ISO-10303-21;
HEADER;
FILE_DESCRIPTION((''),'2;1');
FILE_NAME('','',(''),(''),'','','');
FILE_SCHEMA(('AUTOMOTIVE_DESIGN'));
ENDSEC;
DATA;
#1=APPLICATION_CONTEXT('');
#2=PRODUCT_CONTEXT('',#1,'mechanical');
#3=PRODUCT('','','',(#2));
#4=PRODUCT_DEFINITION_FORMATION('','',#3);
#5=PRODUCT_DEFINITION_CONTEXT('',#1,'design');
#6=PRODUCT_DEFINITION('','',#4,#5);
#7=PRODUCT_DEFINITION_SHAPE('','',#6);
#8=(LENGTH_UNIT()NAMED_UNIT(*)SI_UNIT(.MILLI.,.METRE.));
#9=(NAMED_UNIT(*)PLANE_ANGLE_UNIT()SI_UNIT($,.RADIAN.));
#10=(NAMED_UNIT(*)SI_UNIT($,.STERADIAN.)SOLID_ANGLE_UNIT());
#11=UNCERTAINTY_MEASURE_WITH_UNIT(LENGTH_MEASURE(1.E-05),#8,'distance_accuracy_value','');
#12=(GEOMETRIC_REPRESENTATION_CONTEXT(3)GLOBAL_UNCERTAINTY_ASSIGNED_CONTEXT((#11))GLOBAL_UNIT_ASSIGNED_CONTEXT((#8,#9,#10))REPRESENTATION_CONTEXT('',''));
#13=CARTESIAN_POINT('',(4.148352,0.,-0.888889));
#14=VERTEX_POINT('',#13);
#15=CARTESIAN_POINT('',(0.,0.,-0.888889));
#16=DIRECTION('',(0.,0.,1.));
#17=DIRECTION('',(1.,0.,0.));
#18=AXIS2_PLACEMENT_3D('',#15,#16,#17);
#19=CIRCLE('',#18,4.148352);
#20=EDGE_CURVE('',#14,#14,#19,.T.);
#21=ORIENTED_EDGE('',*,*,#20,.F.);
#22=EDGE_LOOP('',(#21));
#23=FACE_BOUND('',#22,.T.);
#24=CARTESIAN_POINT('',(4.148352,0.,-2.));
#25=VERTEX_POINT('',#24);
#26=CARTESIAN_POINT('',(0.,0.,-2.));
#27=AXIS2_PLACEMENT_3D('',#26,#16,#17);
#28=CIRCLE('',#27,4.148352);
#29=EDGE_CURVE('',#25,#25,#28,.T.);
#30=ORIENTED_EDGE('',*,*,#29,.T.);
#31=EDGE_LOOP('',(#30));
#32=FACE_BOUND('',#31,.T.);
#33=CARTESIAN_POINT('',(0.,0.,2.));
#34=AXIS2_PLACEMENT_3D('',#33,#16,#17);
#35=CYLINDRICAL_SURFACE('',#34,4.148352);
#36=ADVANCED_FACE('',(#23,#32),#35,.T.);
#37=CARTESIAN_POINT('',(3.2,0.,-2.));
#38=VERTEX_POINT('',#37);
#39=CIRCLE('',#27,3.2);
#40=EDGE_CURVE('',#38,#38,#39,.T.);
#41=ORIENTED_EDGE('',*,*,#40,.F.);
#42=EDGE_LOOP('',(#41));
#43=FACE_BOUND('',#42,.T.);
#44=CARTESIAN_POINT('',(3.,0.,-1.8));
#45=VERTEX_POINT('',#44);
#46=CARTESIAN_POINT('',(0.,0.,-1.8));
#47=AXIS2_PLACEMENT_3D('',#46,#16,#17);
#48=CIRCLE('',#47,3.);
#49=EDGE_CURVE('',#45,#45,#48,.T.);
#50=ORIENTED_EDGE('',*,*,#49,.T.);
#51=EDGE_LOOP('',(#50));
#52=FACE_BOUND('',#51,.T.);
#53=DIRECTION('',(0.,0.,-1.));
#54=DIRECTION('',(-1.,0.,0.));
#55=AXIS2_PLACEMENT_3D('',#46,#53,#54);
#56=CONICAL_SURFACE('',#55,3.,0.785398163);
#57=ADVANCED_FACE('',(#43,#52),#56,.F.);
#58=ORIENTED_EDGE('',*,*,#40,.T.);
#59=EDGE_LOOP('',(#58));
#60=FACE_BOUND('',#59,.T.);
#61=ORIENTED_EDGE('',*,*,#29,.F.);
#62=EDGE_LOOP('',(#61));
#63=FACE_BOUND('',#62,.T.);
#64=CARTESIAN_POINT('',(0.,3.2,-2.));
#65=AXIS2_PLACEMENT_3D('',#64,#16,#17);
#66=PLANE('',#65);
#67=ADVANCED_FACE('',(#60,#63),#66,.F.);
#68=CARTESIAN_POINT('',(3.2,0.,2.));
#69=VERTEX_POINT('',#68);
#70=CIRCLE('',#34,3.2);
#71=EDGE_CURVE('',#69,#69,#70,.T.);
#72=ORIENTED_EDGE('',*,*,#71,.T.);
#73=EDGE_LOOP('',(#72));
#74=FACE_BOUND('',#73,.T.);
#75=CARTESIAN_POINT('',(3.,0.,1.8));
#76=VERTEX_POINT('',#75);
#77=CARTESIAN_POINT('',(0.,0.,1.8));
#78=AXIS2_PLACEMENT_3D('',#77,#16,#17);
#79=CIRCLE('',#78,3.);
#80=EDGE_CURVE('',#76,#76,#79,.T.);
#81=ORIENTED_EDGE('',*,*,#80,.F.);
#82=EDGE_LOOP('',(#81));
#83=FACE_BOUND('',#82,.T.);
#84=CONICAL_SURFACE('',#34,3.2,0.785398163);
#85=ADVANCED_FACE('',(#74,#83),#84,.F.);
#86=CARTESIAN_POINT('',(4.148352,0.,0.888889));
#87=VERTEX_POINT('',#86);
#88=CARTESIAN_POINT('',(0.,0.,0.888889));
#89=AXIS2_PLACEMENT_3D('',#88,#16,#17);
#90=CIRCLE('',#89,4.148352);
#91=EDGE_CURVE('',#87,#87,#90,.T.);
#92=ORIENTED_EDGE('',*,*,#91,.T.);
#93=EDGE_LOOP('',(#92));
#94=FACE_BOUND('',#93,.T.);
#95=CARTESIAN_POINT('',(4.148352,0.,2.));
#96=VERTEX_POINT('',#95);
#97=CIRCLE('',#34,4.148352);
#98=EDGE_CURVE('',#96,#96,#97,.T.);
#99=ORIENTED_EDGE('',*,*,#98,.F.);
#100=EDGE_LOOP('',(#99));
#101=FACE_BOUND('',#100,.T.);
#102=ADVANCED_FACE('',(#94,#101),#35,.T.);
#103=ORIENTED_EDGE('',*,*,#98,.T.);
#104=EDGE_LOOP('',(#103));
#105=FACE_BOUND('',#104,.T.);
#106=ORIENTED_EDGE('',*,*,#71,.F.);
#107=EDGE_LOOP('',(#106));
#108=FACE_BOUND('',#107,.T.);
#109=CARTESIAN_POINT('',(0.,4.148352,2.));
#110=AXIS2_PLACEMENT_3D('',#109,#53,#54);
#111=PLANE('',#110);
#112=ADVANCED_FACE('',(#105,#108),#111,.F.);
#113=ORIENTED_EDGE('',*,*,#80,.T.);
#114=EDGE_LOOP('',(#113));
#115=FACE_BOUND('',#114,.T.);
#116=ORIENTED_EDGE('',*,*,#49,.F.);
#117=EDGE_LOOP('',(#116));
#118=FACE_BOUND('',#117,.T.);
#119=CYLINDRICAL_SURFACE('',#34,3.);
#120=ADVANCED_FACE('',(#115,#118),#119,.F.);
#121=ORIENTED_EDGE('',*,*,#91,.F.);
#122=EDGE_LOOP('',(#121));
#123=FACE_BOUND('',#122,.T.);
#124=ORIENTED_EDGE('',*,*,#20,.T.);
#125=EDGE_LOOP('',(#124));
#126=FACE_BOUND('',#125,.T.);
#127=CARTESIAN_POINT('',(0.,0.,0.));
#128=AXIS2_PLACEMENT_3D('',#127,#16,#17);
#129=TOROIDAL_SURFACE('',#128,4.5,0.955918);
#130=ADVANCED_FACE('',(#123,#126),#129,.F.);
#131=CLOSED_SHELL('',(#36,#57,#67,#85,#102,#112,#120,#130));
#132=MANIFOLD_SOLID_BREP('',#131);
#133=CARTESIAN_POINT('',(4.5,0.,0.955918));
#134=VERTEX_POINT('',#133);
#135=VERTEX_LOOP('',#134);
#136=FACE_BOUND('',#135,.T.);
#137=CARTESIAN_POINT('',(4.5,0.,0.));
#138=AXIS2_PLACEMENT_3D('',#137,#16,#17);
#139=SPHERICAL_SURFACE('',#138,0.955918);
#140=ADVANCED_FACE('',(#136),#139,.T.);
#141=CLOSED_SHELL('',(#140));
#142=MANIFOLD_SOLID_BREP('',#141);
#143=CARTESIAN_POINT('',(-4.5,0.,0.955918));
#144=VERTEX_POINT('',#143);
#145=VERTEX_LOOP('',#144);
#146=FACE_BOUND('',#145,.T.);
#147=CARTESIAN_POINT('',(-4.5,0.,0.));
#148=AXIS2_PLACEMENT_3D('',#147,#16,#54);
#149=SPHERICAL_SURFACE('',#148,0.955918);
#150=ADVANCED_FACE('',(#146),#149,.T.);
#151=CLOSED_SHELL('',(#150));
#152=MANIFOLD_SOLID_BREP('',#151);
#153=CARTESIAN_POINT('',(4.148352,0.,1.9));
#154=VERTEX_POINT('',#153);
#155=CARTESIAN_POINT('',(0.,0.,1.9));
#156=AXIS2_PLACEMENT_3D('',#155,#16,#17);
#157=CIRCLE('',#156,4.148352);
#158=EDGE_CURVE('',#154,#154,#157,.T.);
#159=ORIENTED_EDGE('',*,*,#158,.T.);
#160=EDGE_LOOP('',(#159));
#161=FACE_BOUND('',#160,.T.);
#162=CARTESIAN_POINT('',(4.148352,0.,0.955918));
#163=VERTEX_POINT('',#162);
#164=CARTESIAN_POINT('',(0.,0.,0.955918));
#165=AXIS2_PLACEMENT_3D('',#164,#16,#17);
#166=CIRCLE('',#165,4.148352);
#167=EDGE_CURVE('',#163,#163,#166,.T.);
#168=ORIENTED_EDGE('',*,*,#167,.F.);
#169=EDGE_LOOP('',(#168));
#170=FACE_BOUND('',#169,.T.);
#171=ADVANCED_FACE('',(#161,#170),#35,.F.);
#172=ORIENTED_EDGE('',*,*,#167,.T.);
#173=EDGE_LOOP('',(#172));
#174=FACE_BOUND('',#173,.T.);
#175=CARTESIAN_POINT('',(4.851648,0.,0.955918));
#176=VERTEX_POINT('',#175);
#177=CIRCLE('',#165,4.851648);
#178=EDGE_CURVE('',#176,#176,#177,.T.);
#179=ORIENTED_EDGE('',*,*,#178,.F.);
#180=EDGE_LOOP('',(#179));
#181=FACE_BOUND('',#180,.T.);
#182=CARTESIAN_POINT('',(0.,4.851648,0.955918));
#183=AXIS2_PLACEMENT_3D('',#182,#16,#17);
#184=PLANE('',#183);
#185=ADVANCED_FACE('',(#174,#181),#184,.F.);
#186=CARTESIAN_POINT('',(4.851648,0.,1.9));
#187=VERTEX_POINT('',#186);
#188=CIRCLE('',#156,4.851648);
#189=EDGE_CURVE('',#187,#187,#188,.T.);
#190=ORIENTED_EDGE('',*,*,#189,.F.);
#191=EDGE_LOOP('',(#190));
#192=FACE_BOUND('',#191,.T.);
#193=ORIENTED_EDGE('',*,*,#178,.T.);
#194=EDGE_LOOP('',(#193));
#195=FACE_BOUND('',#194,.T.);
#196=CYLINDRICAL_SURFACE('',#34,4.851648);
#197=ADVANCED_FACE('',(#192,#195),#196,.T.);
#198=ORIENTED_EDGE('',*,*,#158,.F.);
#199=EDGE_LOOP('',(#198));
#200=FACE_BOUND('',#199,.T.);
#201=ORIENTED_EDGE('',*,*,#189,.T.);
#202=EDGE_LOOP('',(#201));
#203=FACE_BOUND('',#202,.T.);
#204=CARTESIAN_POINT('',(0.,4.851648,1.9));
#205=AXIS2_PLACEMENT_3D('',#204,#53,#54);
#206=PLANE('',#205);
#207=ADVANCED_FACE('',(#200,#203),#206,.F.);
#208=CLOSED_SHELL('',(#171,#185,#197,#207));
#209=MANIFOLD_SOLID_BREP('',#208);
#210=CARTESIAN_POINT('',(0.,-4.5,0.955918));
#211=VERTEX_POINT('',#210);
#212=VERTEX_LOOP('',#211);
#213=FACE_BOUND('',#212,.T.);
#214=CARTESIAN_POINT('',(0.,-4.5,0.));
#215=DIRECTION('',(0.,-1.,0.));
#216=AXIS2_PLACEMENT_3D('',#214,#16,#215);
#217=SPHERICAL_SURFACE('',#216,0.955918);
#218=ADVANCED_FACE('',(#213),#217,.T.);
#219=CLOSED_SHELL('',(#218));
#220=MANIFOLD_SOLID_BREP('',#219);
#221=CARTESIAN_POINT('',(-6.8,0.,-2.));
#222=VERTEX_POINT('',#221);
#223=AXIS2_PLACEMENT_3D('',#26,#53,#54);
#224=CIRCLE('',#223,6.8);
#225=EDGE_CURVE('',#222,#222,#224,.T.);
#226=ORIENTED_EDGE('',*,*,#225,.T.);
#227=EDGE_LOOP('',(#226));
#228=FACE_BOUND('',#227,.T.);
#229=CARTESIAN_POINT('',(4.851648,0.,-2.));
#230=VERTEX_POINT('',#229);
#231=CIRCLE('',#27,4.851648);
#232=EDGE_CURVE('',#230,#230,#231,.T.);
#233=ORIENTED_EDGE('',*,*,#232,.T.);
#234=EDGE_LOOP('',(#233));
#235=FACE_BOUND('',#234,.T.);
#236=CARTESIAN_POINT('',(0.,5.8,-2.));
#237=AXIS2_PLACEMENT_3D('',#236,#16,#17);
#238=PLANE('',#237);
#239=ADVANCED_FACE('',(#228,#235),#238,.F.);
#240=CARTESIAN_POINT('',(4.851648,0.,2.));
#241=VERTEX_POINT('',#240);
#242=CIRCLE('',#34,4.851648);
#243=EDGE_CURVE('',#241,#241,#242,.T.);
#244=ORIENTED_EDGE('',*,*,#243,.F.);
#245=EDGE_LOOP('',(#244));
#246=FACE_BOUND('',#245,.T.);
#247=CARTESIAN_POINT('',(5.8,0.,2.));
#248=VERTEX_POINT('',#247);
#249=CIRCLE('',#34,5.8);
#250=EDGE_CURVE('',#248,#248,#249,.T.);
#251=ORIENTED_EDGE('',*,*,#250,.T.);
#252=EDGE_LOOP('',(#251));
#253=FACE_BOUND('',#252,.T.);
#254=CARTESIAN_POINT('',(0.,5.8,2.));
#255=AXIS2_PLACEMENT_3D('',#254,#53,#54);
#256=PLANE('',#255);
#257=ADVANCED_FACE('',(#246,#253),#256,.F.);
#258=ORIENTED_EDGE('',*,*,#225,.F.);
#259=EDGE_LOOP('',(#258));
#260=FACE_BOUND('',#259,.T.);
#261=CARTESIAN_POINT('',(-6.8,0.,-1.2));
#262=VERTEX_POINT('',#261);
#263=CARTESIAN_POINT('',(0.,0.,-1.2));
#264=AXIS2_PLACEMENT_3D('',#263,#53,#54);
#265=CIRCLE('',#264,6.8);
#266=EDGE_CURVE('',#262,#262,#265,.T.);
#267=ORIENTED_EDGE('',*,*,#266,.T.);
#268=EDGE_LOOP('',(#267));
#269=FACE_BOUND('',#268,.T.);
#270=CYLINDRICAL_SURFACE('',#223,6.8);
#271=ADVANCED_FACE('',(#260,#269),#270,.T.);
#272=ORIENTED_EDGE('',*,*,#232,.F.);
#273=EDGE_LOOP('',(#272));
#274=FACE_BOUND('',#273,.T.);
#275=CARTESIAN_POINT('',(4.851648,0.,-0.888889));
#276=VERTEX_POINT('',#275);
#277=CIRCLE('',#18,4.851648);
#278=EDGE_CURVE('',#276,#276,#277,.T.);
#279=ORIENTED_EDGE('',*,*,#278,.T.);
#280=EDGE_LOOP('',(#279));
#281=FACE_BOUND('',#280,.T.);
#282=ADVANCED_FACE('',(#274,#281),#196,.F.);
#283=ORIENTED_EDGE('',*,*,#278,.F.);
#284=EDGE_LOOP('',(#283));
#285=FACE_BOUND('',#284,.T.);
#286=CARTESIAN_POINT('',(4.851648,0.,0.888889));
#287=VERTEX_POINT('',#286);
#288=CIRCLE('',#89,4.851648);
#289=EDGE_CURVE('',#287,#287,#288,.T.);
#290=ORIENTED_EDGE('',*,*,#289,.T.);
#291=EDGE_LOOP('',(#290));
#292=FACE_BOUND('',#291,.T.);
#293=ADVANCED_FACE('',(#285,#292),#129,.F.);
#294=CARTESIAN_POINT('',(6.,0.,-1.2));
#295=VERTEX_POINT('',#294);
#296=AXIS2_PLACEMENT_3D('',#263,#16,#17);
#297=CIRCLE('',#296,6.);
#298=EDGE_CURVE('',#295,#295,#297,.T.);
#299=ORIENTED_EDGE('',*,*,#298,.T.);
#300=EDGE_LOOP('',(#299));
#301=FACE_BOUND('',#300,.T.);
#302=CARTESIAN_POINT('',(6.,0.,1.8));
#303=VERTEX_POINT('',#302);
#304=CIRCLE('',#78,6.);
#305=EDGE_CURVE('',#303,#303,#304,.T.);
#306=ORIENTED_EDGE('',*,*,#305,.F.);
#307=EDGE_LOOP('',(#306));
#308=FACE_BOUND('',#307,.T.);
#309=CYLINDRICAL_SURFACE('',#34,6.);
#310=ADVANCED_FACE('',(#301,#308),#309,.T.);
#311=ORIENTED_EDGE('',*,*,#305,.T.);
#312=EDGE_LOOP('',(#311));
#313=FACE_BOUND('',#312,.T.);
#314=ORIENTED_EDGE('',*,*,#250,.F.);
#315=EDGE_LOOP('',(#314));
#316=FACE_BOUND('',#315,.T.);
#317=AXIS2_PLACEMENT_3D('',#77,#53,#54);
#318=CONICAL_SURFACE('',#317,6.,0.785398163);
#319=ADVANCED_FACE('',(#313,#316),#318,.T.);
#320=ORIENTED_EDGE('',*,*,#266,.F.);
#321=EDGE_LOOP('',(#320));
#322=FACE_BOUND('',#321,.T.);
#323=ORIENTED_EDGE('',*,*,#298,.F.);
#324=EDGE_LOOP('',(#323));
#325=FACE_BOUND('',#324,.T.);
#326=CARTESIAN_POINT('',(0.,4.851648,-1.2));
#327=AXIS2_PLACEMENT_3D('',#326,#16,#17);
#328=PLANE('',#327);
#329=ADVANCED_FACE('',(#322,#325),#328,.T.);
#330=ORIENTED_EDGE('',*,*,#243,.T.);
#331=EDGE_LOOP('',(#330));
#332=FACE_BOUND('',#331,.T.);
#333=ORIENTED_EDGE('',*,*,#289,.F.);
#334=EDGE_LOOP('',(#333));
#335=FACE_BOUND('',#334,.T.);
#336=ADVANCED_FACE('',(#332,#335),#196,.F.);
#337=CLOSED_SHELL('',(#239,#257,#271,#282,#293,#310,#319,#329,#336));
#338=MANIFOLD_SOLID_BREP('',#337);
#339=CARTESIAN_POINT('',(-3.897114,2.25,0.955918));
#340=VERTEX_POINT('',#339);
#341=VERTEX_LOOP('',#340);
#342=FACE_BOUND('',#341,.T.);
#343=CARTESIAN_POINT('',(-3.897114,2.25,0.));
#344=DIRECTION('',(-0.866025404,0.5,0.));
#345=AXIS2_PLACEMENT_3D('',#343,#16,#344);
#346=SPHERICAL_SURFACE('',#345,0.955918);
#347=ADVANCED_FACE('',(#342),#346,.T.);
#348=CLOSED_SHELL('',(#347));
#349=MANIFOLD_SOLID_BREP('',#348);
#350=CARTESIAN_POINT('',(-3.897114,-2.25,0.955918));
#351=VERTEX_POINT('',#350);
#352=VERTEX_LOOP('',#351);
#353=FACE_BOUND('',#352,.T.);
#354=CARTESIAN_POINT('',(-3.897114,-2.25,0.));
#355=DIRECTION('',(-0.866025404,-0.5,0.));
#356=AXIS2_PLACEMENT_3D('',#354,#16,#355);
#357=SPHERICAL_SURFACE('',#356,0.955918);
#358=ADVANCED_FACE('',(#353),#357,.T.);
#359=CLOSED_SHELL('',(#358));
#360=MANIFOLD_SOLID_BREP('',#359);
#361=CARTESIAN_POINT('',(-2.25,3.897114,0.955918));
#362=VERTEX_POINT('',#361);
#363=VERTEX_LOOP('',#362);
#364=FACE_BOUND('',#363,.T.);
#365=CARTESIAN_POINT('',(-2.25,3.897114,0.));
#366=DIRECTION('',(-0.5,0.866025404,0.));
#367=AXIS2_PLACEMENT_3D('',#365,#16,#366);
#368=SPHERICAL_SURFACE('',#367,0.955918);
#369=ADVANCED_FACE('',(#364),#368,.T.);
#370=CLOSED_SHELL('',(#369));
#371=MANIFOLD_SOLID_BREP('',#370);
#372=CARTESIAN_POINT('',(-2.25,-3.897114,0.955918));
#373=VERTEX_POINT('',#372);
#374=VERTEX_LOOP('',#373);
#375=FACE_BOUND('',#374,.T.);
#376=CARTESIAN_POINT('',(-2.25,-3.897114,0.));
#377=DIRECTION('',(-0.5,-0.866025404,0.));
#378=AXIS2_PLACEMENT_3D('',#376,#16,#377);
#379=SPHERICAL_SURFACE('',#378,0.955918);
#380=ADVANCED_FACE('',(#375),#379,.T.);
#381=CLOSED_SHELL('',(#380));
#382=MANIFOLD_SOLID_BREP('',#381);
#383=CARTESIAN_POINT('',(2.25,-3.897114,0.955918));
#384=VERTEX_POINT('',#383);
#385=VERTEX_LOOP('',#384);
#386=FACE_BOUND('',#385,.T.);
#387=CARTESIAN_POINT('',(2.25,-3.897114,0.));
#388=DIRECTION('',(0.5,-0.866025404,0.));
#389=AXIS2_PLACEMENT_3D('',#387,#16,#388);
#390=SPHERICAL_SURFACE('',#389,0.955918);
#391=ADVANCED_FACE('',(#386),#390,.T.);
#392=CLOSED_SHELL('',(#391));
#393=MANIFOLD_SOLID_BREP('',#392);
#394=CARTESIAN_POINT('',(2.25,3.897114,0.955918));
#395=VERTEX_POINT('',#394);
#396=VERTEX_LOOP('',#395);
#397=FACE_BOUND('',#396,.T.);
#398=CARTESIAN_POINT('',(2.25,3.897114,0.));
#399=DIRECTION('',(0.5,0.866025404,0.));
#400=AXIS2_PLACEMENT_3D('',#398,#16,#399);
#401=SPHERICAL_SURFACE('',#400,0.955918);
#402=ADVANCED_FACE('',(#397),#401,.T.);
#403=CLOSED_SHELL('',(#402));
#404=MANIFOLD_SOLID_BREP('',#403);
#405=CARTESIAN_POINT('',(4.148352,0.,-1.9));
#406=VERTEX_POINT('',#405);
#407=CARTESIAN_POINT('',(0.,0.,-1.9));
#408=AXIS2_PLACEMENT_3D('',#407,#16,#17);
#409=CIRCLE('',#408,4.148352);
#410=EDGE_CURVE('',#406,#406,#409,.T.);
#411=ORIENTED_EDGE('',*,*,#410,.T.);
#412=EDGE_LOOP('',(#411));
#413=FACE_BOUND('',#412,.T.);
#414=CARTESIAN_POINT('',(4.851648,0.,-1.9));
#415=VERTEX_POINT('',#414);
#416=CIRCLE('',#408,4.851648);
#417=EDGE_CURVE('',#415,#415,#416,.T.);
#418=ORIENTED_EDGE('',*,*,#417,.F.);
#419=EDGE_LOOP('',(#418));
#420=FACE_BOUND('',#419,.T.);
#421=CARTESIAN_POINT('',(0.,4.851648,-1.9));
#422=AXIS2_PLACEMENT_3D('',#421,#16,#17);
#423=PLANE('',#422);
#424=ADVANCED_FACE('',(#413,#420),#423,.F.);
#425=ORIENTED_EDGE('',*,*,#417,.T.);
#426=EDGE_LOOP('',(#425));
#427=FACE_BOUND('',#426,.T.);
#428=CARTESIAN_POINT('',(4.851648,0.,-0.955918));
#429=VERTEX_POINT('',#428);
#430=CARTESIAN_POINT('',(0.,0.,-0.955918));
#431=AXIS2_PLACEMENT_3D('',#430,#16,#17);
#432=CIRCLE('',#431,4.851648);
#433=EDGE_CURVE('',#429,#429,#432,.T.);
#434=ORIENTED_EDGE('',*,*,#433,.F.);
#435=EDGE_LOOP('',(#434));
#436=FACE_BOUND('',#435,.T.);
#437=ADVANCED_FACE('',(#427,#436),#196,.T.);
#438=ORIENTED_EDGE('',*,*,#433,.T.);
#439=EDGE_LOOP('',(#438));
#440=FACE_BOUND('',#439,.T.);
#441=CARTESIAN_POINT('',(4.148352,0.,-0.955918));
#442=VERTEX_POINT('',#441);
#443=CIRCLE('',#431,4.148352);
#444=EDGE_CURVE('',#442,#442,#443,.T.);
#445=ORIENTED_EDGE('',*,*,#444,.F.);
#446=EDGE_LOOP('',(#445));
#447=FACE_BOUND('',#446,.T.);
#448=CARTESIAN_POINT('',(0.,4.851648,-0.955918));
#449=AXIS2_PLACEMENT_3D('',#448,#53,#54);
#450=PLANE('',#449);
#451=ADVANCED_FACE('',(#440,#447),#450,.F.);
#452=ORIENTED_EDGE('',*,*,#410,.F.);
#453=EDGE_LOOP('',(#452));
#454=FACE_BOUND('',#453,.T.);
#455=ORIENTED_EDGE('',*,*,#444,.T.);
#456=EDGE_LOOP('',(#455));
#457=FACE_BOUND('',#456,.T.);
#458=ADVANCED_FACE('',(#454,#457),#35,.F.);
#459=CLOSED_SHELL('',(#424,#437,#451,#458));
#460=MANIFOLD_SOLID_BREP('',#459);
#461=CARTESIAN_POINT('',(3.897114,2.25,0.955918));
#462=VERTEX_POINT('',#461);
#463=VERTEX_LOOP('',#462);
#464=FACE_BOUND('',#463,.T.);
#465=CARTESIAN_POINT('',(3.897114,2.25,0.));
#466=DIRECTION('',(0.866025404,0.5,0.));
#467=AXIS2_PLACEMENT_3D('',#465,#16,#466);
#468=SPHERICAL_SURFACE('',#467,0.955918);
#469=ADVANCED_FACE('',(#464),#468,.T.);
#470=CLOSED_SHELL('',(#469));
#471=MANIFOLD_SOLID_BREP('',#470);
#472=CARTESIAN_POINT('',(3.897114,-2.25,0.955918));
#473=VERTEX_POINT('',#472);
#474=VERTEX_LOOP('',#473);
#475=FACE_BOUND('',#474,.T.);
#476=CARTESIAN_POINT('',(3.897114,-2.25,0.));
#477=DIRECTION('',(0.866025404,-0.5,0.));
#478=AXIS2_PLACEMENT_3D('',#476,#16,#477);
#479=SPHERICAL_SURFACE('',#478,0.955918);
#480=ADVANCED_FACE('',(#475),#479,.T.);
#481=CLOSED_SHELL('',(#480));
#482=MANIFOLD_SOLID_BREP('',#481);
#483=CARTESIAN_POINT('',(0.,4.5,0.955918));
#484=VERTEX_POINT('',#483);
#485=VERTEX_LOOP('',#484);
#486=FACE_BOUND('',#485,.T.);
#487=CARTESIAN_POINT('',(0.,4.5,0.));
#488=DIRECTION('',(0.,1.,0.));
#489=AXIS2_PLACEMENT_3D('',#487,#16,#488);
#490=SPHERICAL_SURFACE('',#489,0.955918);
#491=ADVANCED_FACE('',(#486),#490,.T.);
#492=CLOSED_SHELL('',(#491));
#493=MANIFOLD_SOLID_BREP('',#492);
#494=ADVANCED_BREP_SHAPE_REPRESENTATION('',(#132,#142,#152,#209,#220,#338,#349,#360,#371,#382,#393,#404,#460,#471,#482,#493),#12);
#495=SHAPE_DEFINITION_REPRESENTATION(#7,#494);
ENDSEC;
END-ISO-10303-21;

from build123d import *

# Parameters (mm, degrees)
CIRPATTERN1_COUNT = 12
SKETCH5_W         = 0.944081583
SKETCH5_H         = 0.703296704
SKETCH6_W         = 0.8
SKETCH6_H         = 1.948351648


with BuildPart() as part:
    # Sketch1 → Revolve1 (revolve)
    with BuildSketch(Plane(origin=(0, 0, 0), x_dir=(0, 0, -1), z_dir=(1, 0, 0))):
        with BuildLine():
            Line((1.8, 6), (-1.8, 6))
            Line((-1.8, 6), (-2, 5.8))
            Line((-2, 5.8), (-2, 4.851648352))
            Line((-2, 4.851648352), (-0.888888889, 4.851648352))
            ThreePointArc((-0.888888889, 4.851648352), (0, 5.455918417), (0.888888889, 4.851648352))
            Line((0.888888889, 4.851648352), (2, 4.851648352))
            Line((2, 4.851648352), (2, 5.8))
            Line((2, 5.8), (1.8, 6))
        make_face()
    revolve(axis=Axis((0, 0, 2), (0, 0, -1)))

    # Sketch6 → Revolve6 (revolve)
    with BuildSketch(Plane(origin=(0, 0, 0), x_dir=(0, 0, -1), z_dir=(1, 0, 0))):
        with Locations((1.6, 5.825824176)):
            Rectangle(SKETCH6_W, SKETCH6_H)
    revolve(axis=Axis((0, 0, -2), (0, 0, 1)))


with BuildPart() as body_2:
    # Sketch3 → Revolve3 (revolve)
    with BuildSketch(Plane(origin=(0, 0, 0), x_dir=(0, 0, -1), z_dir=(1, 0, 0))):
        with BuildLine():
            Line((-2, 4.148351648), (-0.888888889, 4.148351648))
            ThreePointArc((-0.888888889, 4.148351648), (0, 3.544081583), (0.888888889, 4.148351648))
            Line((0.888888889, 4.148351648), (2, 4.148351648))
            Line((2, 4.148351648), (2, 3.2))
            Line((2, 3.2), (1.8, 3))
            Line((1.8, 3), (-1.8, 3))
            Line((-1.8, 3), (-2, 3.2))
            Line((-2, 3.2), (-2, 4.148351648))
        make_face()
    revolve(axis=Axis((0, 0, 2), (0, 0, -1)))


with BuildPart() as body_3:
    # Sketch4 → Revolve4 (revolve)
    with BuildSketch(Plane(origin=(0, 0, 0), x_dir=(0, 0, -1), z_dir=(1, 0, 0))):
        with BuildLine():
            Line((-0.955918417, 4.5), (0.955918417, 4.5))
            ThreePointArc((0.955918417, 4.5), (0, 5.455918417), (-0.955918417, 4.5))
        make_face()
    revolve(axis=Axis((0, 4.5, 0.955918417), (0, 0, -1)))


with BuildPart() as cirpattern1_1:
    # CirPattern1: pattern copy
    add(body_3.part.rotate(Axis((0, 0, -2), (0, 0, 1)), 1 * 360 / CIRPATTERN1_COUNT))


with BuildPart() as cirpattern1_2:
    # CirPattern1: pattern copy
    add(body_3.part.rotate(Axis((0, 0, -2), (0, 0, 1)), 2 * 360 / CIRPATTERN1_COUNT))


with BuildPart() as cirpattern1_3:
    # CirPattern1: pattern copy
    add(body_3.part.rotate(Axis((0, 0, -2), (0, 0, 1)), 3 * 360 / CIRPATTERN1_COUNT))


with BuildPart() as cirpattern1_4:
    # CirPattern1: pattern copy
    add(body_3.part.rotate(Axis((0, 0, -2), (0, 0, 1)), 4 * 360 / CIRPATTERN1_COUNT))


with BuildPart() as cirpattern1_5:
    # CirPattern1: pattern copy
    add(body_3.part.rotate(Axis((0, 0, -2), (0, 0, 1)), 5 * 360 / CIRPATTERN1_COUNT))


with BuildPart() as cirpattern1_6:
    # CirPattern1: pattern copy
    add(body_3.part.rotate(Axis((0, 0, -2), (0, 0, 1)), 6 * 360 / CIRPATTERN1_COUNT))


with BuildPart() as cirpattern1_7:
    # CirPattern1: pattern copy
    add(body_3.part.rotate(Axis((0, 0, -2), (0, 0, 1)), 7 * 360 / CIRPATTERN1_COUNT))


with BuildPart() as cirpattern1_8:
    # CirPattern1: pattern copy
    add(body_3.part.rotate(Axis((0, 0, -2), (0, 0, 1)), 8 * 360 / CIRPATTERN1_COUNT))


with BuildPart() as cirpattern1_9:
    # CirPattern1: pattern copy
    add(body_3.part.rotate(Axis((0, 0, -2), (0, 0, 1)), 9 * 360 / CIRPATTERN1_COUNT))


with BuildPart() as cirpattern1_10:
    # CirPattern1: pattern copy
    add(body_3.part.rotate(Axis((0, 0, -2), (0, 0, 1)), 10 * 360 / CIRPATTERN1_COUNT))


with BuildPart() as cirpattern1_11:
    # CirPattern1: pattern copy
    add(body_3.part.rotate(Axis((0, 0, -2), (0, 0, 1)), 11 * 360 / CIRPATTERN1_COUNT))


with BuildPart() as body_15:
    # Sketch5 → Revolve5 (revolve)
    with BuildSketch(Plane(origin=(0, 0, 0), x_dir=(0, 0, -1), z_dir=(1, 0, 0))):
        with Locations((-1.427959209, 4.5)):
            Rectangle(SKETCH5_W, SKETCH5_H)
        with Locations((1.427959209, 4.5)):
            Rectangle(SKETCH5_W, SKETCH5_H)
    revolve(axis=Axis((0, 0, 2), (0, 0, -1)))


solid = Compound([part.part, body_2.part, body_3.part, cirpattern1_1.part, cirpattern1_2.part, cirpattern1_3.part, cirpattern1_4.part, cirpattern1_5.part, cirpattern1_6.part, cirpattern1_7.part, cirpattern1_8.part, cirpattern1_9.part, cirpattern1_10.part, cirpattern1_11.part, body_15.part])
